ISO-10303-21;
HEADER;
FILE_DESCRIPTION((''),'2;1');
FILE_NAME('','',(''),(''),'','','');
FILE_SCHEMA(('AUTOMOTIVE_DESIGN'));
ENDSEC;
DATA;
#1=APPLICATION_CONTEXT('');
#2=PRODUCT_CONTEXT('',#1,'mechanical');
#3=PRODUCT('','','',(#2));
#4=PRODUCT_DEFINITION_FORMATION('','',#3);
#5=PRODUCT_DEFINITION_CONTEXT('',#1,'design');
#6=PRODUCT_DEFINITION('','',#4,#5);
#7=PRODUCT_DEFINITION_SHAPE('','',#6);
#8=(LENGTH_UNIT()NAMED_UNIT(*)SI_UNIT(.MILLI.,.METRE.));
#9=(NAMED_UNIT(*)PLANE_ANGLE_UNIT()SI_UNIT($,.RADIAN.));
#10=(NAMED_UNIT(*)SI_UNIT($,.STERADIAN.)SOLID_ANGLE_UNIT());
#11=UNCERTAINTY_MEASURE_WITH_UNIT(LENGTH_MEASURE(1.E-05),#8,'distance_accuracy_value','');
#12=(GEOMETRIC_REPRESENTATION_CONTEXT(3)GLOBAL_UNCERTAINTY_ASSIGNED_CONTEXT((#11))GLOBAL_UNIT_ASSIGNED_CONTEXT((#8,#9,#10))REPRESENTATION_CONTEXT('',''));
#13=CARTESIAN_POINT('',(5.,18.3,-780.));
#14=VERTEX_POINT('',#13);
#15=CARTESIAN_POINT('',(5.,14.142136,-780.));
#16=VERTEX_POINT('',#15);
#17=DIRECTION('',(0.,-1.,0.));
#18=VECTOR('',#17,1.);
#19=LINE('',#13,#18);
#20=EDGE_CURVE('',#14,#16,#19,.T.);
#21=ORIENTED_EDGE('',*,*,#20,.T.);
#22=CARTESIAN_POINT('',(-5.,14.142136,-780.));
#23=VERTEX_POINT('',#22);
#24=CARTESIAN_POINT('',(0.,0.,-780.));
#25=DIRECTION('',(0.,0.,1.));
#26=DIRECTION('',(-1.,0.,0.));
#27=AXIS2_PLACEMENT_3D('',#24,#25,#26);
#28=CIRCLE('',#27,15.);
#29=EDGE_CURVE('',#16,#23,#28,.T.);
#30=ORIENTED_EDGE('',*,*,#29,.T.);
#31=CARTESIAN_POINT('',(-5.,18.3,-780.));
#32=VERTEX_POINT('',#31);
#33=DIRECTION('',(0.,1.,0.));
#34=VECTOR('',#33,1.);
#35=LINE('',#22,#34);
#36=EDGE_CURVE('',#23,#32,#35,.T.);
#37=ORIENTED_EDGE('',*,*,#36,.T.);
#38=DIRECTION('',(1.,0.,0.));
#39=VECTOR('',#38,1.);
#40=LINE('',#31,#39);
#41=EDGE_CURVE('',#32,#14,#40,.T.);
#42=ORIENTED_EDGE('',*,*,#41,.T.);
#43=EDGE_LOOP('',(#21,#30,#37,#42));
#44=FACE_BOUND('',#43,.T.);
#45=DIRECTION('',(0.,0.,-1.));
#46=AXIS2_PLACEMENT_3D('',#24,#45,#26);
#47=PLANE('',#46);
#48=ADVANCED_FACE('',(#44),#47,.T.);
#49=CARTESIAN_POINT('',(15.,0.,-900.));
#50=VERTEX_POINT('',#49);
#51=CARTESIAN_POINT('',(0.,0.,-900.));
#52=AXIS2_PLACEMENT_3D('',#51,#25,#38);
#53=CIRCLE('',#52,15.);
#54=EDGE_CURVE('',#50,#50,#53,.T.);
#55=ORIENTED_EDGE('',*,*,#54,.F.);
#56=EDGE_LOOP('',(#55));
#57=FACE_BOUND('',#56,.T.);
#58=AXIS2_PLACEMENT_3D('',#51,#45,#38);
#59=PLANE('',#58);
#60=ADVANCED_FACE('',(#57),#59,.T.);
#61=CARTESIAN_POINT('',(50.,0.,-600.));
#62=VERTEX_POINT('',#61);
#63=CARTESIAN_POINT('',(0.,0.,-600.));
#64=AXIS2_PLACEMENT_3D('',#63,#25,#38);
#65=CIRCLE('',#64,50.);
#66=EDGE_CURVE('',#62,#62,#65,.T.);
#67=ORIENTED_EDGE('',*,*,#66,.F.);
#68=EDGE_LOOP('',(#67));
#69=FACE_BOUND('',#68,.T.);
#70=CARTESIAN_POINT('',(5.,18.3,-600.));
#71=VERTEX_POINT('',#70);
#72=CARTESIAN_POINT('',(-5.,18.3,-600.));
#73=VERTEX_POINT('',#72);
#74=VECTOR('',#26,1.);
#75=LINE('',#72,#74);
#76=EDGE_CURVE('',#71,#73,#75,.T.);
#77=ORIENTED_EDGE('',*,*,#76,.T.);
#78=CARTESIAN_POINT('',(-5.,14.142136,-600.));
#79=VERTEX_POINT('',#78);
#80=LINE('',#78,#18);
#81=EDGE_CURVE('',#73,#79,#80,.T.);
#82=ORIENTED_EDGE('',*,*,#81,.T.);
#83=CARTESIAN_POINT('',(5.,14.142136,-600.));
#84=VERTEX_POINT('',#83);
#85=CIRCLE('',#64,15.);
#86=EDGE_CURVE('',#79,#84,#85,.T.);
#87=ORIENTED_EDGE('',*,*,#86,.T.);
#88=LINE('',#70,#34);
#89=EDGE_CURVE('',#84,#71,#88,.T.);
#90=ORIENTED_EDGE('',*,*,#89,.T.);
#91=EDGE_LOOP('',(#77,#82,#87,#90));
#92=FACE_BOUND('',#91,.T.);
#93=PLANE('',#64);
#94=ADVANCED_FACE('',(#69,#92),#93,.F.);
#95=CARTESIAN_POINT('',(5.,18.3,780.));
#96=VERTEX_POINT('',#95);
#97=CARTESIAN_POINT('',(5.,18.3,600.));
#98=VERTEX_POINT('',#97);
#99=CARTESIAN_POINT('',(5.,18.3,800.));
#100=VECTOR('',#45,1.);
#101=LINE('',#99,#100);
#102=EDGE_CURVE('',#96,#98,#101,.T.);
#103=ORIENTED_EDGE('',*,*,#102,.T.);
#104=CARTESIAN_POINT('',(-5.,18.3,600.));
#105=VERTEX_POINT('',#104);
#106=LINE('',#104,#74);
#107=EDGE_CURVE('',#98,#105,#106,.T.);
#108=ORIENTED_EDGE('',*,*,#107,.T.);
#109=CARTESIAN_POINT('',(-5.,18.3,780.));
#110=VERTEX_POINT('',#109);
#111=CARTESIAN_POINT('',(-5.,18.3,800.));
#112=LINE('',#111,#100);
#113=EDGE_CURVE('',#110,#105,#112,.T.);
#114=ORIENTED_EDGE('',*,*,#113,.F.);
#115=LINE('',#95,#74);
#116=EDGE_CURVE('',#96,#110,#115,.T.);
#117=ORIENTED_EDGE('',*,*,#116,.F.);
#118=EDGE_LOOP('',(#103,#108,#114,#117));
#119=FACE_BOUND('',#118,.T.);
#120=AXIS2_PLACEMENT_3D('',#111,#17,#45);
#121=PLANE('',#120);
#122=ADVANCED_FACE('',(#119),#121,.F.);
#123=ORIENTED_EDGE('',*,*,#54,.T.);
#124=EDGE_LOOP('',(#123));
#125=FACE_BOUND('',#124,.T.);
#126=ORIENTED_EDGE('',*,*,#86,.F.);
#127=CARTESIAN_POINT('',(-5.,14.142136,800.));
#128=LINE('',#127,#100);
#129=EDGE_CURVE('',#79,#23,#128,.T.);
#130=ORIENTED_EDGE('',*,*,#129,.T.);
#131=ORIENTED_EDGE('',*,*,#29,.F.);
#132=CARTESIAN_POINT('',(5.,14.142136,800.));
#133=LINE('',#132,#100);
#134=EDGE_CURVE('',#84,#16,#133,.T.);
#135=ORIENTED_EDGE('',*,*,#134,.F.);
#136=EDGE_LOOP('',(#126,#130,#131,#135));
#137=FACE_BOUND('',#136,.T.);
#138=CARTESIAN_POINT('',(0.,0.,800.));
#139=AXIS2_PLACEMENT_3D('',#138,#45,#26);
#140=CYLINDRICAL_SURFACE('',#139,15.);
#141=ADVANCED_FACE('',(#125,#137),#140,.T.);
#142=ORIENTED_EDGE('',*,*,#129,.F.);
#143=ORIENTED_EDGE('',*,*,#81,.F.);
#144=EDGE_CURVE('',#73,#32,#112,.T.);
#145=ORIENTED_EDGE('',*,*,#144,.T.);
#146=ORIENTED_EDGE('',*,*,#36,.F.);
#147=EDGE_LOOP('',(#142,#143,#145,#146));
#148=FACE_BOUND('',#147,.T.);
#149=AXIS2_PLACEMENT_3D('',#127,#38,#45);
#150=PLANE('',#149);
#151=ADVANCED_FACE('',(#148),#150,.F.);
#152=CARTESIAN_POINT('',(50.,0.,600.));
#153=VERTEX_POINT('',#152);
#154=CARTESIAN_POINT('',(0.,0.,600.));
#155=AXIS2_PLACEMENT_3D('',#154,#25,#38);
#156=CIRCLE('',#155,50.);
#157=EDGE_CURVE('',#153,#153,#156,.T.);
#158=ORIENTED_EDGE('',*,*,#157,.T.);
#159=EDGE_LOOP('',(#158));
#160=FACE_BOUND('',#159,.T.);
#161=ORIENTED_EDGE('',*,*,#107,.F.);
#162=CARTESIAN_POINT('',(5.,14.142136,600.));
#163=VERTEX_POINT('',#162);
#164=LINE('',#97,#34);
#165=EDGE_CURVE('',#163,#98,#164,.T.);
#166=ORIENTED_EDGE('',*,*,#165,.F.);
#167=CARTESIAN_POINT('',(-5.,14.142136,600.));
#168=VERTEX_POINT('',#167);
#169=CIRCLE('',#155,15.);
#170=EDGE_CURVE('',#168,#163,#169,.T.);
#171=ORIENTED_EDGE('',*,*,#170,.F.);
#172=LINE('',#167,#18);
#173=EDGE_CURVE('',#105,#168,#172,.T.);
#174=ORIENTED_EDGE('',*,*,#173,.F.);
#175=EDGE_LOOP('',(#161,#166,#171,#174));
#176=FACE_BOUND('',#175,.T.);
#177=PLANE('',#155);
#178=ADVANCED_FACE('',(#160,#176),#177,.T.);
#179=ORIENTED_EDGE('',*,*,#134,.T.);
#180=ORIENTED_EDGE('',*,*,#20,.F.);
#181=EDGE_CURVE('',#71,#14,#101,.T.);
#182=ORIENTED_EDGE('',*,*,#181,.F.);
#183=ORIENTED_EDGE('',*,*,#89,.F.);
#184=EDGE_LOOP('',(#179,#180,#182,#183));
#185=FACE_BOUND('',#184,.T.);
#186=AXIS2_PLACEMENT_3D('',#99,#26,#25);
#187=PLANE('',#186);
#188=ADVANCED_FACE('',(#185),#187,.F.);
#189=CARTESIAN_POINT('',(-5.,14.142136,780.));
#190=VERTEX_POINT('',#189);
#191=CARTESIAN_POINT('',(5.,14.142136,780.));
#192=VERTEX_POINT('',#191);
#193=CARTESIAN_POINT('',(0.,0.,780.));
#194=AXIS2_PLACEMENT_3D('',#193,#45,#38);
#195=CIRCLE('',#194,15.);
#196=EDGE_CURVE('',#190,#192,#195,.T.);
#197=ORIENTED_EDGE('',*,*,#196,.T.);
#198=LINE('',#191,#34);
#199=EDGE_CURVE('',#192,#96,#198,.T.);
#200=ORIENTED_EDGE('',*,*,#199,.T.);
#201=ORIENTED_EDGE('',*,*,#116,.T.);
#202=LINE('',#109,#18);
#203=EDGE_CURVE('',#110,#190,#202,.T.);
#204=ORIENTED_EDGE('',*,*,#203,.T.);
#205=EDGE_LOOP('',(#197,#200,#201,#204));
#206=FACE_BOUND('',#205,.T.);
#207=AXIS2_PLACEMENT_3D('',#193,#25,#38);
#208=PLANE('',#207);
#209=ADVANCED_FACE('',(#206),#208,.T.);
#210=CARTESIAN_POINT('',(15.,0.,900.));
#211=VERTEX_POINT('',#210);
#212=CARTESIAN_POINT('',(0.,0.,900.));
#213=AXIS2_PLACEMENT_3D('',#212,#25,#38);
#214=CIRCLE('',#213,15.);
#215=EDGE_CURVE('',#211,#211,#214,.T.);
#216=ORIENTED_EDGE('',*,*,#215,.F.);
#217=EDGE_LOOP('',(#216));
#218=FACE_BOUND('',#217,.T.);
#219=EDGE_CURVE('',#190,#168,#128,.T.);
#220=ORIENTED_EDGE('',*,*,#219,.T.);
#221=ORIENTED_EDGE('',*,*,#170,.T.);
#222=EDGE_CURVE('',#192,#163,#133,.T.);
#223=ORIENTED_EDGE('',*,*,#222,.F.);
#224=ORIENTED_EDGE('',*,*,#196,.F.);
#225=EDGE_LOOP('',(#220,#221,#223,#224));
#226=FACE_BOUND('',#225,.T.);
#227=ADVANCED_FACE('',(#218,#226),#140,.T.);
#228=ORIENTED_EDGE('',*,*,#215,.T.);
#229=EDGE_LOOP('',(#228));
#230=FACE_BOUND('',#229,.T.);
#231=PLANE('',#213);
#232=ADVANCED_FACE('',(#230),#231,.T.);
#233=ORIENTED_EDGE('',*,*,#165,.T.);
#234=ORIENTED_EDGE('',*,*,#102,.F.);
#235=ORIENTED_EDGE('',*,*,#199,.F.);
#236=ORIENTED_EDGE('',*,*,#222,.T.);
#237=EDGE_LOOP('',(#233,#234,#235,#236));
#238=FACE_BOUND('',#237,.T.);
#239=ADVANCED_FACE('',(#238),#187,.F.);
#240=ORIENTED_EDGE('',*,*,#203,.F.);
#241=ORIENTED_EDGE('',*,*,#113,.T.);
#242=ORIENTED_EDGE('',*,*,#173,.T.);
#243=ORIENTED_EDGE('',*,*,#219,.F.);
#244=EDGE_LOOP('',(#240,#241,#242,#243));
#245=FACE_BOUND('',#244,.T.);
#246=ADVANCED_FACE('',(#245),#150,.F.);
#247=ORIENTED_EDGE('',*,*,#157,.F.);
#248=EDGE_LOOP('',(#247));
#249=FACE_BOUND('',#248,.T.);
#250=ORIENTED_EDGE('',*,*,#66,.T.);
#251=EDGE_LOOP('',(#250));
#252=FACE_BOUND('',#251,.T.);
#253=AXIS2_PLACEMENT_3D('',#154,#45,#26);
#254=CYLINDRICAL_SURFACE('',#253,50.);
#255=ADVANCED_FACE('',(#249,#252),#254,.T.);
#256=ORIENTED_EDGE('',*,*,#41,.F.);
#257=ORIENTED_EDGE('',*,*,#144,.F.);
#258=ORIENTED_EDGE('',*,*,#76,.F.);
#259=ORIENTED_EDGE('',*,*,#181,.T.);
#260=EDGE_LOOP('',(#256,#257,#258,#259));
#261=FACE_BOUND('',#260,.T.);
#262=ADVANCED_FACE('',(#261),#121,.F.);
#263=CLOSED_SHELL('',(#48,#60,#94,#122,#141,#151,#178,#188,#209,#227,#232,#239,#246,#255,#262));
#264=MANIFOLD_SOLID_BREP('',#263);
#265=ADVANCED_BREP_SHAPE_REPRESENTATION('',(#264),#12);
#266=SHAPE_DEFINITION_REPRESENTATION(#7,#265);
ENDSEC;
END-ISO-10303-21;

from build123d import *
from build123d.topology import SkipClean

# Parameters (mm, degrees)
BOSS_EXTRUDE4_DEPTH = 800
SKETCH6_R           = 50
BOSS_EXTRUDE5_DEPTH = 600
BOSS_EXTRUDE6_START = 900
SKETCH7_R           = 15
BOSS_EXTRUDE6_DEPTH = 100
CUT_EXTRUDE1_DEPTH  = 20
CUT_EXTRUDE2_START  = -20
CUT_EXTRUDE2_DEPTH  = 20


with BuildPart() as part:
    # Sketch4 → Boss-Extrude4 (new, symmetric)
    with BuildSketch(Plane.XY):
        with BuildLine():
            Line((-5, 14.142135624), (-5, 18.3))
            Line((-5, 18.3), (5, 18.3))
            Line((5, 18.3), (5, 14.142135624))
            ThreePointArc((5, 14.142135624), (0, -15), (-5, 14.142135624))
        make_face()
    extrude(amount=BOSS_EXTRUDE4_DEPTH, both=True)

    # Sketch6 → Boss-Extrude5 (add, symmetric)
    with BuildSketch(Plane.XY):
        Circle(SKETCH6_R)
    extrude(amount=BOSS_EXTRUDE5_DEPTH, both=True)

    # Sketch7 → Boss-Extrude6 (add)
    with BuildSketch(Plane.XY.offset(BOSS_EXTRUDE6_START)):
        Circle(SKETCH7_R)
    boss_extrude6 = extrude(amount=-BOSS_EXTRUDE6_DEPTH)

    # Mirror1: Boss-Extrude6 across plane
    add(boss_extrude6.mirror(Plane.XY))

    # Sketch8 → Cut-Extrude1 (cut)
    with BuildSketch(Plane.XY.offset(800)):
        with BuildLine():
            Line((5, 14.142135624), (5, 18.3))
            Line((5, 18.3), (-5, 18.3))
            Line((-5, 18.3), (-5, 14.142135624))
            ThreePointArc((-5, 14.142135624), (0, 15), (5, 14.142135624))
        make_face()
    extrude(amount=-CUT_EXTRUDE1_DEPTH, mode=Mode.SUBTRACT)

    # Sketch9 → Cut-Extrude2 (cut)
    with SkipClean():  # the faces are left unmerged after this step: merging them gives an invalid solid
        with BuildSketch(Plane(origin=(0, 0, -800), x_dir=(-1, 0, 0), z_dir=(0, 0, -1)).offset(CUT_EXTRUDE2_START)):
            with BuildLine():
                Line((-5, 18.3), (-5, 14.142135624))
                ThreePointArc((-5, 14.142135624), (0, 15), (5, 14.142135624))
                Line((5, 14.142135624), (5, 18.3))
                Line((5, 18.3), (-5, 18.3))
            make_face()
        extrude(amount=CUT_EXTRUDE2_DEPTH, mode=Mode.SUBTRACT)


solid = part.part
